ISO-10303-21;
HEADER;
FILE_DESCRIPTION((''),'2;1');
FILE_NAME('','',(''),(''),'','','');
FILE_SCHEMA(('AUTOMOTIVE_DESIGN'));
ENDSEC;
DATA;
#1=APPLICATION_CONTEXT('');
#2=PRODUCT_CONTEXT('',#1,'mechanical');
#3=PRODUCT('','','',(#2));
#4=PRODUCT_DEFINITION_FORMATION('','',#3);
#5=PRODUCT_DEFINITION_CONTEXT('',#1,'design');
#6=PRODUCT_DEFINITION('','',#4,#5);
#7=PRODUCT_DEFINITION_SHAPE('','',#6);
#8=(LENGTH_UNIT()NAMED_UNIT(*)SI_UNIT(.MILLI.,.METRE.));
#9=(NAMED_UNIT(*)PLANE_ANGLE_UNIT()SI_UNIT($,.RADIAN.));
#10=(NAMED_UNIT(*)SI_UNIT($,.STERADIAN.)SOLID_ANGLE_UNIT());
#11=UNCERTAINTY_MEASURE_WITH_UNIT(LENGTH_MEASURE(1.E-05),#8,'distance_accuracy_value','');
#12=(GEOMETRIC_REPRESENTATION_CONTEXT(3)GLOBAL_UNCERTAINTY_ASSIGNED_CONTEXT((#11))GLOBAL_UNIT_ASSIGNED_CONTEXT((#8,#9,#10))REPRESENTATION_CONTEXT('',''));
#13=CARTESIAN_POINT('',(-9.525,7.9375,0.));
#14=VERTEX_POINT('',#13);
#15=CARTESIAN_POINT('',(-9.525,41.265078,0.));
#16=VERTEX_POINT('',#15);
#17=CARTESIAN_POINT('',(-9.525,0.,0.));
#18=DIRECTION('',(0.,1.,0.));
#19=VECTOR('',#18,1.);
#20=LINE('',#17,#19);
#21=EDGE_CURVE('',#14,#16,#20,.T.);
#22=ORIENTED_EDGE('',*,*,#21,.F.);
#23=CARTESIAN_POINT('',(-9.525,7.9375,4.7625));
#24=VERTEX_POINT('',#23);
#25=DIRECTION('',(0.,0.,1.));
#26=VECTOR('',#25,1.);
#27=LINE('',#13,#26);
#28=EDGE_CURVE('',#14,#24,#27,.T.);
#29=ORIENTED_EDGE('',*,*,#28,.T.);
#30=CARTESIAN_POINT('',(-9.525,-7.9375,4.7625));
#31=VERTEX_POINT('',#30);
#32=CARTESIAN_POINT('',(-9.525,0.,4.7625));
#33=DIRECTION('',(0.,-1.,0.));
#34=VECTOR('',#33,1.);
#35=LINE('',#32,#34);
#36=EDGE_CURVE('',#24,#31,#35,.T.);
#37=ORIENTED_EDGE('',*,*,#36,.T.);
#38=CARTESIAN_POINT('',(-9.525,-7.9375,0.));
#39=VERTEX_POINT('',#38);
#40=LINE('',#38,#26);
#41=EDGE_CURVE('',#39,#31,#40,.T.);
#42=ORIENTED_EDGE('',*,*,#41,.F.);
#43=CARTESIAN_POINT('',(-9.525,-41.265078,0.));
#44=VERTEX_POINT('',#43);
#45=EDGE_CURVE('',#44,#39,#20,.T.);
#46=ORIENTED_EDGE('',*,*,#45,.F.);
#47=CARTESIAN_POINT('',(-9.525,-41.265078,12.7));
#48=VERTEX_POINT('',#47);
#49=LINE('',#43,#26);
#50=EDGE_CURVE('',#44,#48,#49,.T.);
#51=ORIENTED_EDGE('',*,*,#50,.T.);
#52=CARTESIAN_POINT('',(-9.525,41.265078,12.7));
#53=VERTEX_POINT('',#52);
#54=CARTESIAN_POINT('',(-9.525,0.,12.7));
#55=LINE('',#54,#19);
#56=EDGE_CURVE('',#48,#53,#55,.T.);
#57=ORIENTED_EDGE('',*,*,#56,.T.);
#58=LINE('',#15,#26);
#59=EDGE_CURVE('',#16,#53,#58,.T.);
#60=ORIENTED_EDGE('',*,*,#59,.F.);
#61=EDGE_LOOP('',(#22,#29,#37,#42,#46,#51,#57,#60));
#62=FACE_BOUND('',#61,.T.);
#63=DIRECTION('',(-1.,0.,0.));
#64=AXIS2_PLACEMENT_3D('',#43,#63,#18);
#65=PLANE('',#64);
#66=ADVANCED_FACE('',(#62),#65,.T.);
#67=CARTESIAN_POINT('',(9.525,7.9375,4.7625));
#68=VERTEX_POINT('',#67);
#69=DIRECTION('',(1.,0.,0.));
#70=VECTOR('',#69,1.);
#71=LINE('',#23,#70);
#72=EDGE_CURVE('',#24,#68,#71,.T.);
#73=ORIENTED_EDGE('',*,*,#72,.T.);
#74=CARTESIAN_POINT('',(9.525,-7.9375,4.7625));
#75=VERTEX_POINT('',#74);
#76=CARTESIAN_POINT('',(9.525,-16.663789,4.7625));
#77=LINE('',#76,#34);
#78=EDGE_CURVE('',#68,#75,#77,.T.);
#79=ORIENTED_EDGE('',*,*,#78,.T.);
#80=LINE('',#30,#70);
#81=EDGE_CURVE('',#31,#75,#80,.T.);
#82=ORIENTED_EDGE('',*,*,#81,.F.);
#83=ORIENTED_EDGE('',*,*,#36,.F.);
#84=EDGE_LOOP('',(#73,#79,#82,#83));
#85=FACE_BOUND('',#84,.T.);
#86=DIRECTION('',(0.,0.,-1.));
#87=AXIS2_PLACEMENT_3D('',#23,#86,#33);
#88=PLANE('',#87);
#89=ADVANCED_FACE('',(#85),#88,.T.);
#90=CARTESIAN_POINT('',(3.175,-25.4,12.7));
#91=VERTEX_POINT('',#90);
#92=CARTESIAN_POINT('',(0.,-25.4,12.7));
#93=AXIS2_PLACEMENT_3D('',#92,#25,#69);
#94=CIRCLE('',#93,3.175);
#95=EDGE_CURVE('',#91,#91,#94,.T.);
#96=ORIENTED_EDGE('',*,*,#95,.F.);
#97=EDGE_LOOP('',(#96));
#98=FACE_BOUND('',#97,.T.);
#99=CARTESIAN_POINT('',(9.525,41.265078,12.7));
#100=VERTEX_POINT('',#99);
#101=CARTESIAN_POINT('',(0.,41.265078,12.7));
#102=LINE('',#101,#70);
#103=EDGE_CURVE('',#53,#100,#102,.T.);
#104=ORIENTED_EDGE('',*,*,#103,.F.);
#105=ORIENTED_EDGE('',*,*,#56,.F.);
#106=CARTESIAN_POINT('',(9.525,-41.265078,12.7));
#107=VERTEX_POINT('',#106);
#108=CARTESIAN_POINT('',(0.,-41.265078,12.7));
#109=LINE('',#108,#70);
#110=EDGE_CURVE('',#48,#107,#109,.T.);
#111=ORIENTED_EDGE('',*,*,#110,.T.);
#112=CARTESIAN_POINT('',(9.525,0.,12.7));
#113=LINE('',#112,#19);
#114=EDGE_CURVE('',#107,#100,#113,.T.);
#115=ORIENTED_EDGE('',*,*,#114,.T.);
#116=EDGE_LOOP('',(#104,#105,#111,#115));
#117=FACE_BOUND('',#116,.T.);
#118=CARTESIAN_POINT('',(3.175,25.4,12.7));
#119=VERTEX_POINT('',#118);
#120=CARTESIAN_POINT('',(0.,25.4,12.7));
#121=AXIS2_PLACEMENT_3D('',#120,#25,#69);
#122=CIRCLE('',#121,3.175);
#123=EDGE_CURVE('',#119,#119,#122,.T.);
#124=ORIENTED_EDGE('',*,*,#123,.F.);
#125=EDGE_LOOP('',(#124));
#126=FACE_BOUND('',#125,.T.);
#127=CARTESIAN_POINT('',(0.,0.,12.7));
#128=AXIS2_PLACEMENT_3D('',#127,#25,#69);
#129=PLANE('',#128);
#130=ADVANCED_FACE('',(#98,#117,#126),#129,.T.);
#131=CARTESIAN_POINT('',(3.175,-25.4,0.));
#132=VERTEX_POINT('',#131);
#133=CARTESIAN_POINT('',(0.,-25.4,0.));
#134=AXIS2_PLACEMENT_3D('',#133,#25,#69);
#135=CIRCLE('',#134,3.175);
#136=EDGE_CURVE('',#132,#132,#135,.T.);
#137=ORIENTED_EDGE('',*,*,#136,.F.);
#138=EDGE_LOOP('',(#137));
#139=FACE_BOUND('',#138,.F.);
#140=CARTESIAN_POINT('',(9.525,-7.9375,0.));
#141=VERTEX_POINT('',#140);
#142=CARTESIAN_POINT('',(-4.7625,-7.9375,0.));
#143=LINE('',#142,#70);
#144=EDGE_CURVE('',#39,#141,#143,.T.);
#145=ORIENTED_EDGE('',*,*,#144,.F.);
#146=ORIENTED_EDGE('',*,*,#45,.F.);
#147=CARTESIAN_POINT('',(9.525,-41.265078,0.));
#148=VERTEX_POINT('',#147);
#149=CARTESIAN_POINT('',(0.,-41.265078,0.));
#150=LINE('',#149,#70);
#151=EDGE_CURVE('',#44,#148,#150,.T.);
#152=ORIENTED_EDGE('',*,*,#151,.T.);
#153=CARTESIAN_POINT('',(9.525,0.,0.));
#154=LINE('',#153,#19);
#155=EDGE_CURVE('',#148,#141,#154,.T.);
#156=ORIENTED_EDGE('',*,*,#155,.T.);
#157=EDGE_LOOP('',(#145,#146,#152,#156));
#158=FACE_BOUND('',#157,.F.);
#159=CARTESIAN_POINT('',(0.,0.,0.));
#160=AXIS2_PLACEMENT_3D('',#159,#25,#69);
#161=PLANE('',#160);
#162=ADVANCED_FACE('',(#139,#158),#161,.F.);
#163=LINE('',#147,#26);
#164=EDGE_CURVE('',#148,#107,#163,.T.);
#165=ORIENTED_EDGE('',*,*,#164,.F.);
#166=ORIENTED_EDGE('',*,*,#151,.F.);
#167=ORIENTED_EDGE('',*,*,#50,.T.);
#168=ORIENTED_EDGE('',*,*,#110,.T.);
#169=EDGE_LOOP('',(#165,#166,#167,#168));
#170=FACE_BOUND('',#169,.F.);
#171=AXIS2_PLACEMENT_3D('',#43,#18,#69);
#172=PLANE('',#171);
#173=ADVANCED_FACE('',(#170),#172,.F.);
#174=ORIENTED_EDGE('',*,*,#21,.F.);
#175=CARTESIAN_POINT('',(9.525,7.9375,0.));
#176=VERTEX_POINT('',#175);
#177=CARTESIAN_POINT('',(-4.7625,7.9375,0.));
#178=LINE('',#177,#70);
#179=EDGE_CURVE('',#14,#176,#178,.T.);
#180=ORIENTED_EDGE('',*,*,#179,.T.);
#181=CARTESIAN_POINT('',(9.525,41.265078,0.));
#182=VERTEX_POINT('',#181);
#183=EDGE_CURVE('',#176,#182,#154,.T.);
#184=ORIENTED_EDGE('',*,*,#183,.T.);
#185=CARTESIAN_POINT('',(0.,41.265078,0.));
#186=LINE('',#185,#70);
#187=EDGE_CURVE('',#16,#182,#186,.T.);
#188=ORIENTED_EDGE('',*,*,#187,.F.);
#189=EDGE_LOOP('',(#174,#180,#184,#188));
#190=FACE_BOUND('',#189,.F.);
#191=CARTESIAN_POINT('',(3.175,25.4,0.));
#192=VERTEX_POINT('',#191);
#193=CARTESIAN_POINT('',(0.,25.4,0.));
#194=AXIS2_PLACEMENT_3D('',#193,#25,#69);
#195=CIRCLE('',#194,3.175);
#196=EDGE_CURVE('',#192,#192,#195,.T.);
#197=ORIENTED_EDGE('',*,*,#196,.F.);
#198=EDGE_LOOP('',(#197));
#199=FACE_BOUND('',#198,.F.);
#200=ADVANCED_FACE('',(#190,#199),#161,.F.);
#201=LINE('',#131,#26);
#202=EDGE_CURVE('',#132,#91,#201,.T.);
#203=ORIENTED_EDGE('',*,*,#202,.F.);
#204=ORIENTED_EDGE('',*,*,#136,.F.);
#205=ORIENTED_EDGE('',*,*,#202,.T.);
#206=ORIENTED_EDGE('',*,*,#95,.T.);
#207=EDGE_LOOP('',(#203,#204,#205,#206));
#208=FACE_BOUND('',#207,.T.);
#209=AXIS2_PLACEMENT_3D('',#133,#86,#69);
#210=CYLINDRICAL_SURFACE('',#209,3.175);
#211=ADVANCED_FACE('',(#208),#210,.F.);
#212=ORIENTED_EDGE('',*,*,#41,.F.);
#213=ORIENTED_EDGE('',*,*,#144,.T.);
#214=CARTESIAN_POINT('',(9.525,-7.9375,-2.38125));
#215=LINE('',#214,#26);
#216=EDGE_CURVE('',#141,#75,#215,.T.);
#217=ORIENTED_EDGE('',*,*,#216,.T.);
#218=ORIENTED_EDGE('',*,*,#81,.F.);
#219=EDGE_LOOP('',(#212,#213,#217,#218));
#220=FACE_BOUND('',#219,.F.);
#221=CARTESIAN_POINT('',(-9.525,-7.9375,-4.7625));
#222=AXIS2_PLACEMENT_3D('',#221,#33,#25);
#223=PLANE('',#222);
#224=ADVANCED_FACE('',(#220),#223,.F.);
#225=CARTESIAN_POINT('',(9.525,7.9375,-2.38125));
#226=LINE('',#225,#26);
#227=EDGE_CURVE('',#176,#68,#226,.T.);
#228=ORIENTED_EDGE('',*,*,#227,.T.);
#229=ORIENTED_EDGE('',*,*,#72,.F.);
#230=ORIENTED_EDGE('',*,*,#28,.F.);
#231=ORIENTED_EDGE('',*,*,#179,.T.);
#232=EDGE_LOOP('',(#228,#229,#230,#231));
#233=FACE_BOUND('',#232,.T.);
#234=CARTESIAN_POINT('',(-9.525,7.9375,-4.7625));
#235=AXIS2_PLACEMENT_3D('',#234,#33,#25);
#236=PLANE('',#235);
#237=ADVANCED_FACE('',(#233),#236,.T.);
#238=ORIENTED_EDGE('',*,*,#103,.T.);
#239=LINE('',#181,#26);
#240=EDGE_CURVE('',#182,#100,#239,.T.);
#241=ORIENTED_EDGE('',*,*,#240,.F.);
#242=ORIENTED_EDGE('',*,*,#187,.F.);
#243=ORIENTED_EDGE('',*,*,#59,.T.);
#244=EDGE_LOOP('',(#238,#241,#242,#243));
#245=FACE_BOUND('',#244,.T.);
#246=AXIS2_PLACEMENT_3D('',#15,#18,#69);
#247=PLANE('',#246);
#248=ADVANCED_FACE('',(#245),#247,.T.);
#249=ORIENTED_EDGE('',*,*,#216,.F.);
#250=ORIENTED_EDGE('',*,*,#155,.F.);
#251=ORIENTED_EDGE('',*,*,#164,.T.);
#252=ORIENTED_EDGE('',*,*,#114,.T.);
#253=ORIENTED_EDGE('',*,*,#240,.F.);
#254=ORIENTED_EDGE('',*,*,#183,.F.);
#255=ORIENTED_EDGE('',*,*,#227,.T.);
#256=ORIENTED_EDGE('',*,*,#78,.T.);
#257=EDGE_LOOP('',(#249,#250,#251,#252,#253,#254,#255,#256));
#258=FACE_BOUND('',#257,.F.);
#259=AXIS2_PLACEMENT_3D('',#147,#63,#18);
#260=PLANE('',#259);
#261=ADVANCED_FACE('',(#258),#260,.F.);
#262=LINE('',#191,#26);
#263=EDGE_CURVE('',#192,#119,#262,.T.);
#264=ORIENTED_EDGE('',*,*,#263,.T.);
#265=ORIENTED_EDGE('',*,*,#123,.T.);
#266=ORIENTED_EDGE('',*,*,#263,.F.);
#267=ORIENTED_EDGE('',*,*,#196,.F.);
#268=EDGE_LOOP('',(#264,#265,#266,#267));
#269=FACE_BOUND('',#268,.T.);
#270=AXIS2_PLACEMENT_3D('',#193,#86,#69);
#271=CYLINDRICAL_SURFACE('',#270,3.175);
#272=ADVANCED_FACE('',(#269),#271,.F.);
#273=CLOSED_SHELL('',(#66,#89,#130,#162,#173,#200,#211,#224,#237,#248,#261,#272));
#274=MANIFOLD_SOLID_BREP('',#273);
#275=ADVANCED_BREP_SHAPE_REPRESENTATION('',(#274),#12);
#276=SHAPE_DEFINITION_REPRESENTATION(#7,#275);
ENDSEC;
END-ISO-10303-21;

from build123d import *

# Parameters (mm, degrees)
F0_W     = 19.05
F0_H     = 82.530156
F0_R     = 3.175
F1_DEPTH = 12.7
F2_W     = 15.875
F2_H     = 9.525
F3_DEPTH = 19.051


with BuildPart() as f1:
    # F0 (on Top) → F1 (new body)
    with BuildSketch(Plane.XY):
        Rectangle(F0_W, F0_H)
        with Locations((0, -25.4)):
            Circle(F0_R, mode=Mode.SUBTRACT)
        with Locations((0, 25.4)):
            Circle(F0_R, mode=Mode.SUBTRACT)
    extrude(amount=F1_DEPTH)

    # F2 (on face) → F3 (cut, through all)
    with BuildSketch(Plane(origin=(-9.525, 0, 0), x_dir=(0, -1, 0), z_dir=(-1, 0, 0))):
        Rectangle(F2_W, F2_H)
    extrude(amount=-F3_DEPTH, mode=Mode.SUBTRACT)


solid = f1.part
